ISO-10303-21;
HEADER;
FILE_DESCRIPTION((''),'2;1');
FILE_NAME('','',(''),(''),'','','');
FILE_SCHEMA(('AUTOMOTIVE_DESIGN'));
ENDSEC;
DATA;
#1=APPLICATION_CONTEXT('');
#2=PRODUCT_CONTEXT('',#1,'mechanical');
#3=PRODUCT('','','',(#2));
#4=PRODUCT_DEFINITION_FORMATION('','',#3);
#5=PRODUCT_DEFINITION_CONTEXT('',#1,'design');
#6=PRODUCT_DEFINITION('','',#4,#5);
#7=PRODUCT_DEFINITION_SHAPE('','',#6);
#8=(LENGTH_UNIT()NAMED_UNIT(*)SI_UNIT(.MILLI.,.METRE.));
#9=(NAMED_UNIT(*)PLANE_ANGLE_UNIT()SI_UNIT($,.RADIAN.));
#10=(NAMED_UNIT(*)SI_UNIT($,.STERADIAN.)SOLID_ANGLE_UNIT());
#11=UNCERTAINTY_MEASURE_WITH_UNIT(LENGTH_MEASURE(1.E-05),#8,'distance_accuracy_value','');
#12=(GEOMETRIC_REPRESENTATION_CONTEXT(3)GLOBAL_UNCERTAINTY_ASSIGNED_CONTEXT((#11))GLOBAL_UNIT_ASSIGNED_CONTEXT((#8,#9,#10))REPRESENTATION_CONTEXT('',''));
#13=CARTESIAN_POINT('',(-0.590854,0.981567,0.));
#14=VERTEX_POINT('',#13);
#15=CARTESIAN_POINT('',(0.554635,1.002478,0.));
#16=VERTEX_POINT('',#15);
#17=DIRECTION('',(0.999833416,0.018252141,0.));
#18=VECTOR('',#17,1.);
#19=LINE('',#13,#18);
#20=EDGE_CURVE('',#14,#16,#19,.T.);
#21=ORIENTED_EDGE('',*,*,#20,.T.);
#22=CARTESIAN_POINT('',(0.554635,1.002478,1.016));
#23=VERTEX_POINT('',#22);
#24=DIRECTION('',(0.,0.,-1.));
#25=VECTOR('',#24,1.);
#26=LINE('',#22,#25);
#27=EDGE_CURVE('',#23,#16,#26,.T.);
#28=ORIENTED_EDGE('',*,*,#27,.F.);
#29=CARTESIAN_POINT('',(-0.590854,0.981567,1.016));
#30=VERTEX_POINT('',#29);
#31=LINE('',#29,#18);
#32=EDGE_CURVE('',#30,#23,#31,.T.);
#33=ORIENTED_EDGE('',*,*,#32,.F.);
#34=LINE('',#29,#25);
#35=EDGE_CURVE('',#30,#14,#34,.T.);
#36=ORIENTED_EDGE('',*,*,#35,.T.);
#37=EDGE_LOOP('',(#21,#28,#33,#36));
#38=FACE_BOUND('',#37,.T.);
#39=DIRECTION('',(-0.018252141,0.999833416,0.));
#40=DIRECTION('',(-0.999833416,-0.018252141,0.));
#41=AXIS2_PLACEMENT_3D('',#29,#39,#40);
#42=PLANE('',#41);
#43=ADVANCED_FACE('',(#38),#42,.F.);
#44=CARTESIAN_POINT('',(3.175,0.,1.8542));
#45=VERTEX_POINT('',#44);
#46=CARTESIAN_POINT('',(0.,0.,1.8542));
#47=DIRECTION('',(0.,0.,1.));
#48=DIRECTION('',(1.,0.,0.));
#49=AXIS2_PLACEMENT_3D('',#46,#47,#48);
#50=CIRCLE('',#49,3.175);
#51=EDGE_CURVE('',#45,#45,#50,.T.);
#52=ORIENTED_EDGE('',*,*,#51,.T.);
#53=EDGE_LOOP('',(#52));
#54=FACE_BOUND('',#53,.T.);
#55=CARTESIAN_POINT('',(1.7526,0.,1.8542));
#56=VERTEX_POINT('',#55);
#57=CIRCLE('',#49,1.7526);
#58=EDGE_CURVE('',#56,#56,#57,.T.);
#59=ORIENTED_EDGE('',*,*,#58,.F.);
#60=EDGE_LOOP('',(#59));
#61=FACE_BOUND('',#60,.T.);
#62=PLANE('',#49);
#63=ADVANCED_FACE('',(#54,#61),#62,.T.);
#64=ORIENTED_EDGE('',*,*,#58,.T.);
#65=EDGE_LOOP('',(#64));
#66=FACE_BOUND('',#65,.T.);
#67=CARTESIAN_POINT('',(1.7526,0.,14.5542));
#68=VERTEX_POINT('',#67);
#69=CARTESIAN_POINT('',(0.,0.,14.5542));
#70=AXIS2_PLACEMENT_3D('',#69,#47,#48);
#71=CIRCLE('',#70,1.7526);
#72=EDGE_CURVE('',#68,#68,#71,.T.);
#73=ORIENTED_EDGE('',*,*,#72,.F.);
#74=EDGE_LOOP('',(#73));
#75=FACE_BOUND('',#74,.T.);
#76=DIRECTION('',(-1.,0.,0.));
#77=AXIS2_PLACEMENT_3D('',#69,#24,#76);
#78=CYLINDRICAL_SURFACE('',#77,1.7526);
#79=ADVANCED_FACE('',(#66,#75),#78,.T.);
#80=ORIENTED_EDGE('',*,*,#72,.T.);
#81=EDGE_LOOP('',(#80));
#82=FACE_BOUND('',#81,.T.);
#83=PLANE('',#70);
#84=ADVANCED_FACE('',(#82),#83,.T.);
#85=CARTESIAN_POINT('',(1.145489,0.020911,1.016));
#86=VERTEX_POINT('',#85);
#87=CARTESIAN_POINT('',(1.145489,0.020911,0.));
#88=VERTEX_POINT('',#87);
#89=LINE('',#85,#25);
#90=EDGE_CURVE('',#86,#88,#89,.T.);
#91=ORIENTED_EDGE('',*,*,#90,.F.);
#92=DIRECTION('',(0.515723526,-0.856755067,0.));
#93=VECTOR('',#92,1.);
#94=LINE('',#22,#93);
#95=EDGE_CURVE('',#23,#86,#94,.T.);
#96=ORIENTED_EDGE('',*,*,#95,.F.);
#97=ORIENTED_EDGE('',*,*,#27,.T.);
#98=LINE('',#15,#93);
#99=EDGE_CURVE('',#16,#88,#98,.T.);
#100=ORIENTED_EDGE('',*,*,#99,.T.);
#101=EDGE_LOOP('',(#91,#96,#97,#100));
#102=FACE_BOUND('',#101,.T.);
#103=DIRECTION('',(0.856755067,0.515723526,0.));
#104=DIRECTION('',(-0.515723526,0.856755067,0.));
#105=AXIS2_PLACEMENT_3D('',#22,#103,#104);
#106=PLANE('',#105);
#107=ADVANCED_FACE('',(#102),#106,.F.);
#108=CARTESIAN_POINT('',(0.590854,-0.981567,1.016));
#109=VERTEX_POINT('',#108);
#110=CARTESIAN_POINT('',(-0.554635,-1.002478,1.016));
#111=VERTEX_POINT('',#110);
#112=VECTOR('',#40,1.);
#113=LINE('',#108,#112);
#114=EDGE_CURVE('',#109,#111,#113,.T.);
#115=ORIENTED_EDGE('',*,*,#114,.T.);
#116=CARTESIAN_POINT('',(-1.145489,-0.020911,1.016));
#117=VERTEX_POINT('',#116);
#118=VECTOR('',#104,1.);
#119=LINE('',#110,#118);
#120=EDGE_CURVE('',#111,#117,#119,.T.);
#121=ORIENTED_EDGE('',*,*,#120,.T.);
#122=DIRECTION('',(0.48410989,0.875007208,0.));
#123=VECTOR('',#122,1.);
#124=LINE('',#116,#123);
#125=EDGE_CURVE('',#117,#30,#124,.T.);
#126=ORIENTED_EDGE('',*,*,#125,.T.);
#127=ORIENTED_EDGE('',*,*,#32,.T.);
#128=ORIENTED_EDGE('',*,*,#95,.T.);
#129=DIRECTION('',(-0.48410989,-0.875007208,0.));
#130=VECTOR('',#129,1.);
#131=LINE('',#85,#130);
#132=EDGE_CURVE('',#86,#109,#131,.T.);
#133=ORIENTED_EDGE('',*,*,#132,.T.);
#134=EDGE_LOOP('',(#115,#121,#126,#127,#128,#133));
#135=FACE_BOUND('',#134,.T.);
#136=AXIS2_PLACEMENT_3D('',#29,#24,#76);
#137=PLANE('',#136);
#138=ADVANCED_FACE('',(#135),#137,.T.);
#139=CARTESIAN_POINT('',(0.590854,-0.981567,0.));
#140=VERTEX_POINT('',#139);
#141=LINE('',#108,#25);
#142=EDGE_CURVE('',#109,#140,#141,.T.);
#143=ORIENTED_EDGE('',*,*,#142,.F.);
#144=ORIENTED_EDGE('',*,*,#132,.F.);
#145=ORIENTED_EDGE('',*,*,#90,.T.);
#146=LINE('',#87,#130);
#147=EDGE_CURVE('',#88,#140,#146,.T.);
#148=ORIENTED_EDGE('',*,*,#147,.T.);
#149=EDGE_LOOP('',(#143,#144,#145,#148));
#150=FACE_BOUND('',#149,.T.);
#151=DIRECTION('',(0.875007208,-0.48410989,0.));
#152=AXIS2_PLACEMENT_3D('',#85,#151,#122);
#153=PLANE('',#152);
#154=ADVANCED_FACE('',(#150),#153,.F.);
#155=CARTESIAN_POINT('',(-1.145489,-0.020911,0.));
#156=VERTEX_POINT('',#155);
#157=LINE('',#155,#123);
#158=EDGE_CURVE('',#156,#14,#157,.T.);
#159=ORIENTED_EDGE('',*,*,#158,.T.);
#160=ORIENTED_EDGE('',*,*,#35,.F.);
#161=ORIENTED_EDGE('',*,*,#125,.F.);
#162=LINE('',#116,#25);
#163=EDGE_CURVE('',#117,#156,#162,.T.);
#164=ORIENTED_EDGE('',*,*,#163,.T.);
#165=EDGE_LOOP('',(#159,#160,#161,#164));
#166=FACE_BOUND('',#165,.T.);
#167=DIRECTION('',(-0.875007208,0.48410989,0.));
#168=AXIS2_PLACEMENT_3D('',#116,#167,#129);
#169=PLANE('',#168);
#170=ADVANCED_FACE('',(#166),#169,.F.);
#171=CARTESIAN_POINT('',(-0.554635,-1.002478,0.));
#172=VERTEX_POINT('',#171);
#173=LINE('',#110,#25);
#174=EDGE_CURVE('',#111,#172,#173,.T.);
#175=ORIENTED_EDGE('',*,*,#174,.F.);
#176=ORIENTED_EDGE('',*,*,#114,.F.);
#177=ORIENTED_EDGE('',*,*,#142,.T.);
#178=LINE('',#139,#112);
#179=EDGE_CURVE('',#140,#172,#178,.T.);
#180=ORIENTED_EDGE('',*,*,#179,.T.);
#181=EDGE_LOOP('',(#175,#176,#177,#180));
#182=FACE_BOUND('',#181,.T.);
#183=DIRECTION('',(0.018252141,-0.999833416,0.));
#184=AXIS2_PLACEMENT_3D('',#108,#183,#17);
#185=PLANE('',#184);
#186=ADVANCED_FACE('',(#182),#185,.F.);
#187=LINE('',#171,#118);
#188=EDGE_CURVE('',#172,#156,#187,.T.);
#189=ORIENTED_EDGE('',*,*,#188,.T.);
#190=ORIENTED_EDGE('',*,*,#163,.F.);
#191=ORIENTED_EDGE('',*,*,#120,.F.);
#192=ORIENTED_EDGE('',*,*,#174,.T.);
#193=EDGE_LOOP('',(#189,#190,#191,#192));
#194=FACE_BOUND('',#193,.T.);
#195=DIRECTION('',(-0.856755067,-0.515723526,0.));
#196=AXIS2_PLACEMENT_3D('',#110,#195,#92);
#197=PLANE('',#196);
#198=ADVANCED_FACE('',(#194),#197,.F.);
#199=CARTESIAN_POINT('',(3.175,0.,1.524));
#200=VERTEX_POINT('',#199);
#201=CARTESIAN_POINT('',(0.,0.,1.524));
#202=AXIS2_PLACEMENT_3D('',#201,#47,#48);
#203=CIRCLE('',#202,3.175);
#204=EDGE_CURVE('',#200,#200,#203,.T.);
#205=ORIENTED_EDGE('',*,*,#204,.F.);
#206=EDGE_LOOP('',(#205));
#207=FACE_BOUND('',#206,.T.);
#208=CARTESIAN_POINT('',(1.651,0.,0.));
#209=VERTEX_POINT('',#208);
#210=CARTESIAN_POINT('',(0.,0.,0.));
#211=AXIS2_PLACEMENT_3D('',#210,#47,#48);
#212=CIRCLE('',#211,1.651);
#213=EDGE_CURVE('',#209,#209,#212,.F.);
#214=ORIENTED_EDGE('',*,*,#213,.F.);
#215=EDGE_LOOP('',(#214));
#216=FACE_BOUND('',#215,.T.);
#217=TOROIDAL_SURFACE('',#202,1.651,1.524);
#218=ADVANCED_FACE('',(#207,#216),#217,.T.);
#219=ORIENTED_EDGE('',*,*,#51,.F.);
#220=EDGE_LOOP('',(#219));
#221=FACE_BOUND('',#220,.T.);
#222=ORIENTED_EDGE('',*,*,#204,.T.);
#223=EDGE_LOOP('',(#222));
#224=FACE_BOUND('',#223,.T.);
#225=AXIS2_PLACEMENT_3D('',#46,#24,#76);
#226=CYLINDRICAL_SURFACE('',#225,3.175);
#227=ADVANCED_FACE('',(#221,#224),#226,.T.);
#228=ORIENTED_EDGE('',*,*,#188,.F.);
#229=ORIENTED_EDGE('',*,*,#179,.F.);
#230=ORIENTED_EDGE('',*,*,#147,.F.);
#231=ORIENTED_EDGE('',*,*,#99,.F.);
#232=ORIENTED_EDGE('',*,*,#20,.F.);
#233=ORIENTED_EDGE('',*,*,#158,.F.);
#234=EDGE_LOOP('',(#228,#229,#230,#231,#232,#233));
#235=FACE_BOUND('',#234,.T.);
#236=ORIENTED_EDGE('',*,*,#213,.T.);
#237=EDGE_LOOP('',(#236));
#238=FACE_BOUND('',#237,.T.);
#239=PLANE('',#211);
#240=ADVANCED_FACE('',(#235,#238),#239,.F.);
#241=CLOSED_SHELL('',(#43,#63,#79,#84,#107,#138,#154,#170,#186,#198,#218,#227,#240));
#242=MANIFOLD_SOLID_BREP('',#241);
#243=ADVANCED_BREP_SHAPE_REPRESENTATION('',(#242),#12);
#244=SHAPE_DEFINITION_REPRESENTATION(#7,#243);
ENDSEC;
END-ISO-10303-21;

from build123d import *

# Parameters (mm, degrees)
SKETCH1_R      = 3.175
EXTRUDE1_DEPTH = 1.8542
FILLET1_R      = 1.524
SKETCH2_R      = 1.7526
EXTRUDE2_DEPTH = 12.7
EXTRUDE3_DEPTH = 1.016


with BuildPart() as part:
    # Sketch1 → Extrude1 (new body)
    with BuildSketch(Plane.XY):
        Circle(SKETCH1_R)
    extrude(amount=EXTRUDE1_DEPTH)

    # Fillet1
    fillet1_edges = [part.edges().sort_by_distance(p)[0] for p in [
        (-3.175, 0, 0),
    ]]
    fillet(fillet1_edges, radius=FILLET1_R)

    # Sketch2 → Extrude2 (add)
    with BuildSketch(Plane.XY.offset(1.8542)):
        Circle(SKETCH2_R)
    extrude(amount=EXTRUDE2_DEPTH)

    # Sketch3 → Extrude3 (cut)
    with BuildSketch(Plane(origin=(0, 0, 0), x_dir=(-1, 0, 0), z_dir=(0, 0, -1))):
        Polygon((0.59085384, 0.981566666), (-0.554634748, 1.002477769), (-1.145488588, 0.020911103), (-0.59085384, -0.981566666), (0.554634748, -1.002477769), (1.145488588, -0.020911103), align=None)
    extrude(amount=-EXTRUDE3_DEPTH, mode=Mode.SUBTRACT)


solid = part.part
